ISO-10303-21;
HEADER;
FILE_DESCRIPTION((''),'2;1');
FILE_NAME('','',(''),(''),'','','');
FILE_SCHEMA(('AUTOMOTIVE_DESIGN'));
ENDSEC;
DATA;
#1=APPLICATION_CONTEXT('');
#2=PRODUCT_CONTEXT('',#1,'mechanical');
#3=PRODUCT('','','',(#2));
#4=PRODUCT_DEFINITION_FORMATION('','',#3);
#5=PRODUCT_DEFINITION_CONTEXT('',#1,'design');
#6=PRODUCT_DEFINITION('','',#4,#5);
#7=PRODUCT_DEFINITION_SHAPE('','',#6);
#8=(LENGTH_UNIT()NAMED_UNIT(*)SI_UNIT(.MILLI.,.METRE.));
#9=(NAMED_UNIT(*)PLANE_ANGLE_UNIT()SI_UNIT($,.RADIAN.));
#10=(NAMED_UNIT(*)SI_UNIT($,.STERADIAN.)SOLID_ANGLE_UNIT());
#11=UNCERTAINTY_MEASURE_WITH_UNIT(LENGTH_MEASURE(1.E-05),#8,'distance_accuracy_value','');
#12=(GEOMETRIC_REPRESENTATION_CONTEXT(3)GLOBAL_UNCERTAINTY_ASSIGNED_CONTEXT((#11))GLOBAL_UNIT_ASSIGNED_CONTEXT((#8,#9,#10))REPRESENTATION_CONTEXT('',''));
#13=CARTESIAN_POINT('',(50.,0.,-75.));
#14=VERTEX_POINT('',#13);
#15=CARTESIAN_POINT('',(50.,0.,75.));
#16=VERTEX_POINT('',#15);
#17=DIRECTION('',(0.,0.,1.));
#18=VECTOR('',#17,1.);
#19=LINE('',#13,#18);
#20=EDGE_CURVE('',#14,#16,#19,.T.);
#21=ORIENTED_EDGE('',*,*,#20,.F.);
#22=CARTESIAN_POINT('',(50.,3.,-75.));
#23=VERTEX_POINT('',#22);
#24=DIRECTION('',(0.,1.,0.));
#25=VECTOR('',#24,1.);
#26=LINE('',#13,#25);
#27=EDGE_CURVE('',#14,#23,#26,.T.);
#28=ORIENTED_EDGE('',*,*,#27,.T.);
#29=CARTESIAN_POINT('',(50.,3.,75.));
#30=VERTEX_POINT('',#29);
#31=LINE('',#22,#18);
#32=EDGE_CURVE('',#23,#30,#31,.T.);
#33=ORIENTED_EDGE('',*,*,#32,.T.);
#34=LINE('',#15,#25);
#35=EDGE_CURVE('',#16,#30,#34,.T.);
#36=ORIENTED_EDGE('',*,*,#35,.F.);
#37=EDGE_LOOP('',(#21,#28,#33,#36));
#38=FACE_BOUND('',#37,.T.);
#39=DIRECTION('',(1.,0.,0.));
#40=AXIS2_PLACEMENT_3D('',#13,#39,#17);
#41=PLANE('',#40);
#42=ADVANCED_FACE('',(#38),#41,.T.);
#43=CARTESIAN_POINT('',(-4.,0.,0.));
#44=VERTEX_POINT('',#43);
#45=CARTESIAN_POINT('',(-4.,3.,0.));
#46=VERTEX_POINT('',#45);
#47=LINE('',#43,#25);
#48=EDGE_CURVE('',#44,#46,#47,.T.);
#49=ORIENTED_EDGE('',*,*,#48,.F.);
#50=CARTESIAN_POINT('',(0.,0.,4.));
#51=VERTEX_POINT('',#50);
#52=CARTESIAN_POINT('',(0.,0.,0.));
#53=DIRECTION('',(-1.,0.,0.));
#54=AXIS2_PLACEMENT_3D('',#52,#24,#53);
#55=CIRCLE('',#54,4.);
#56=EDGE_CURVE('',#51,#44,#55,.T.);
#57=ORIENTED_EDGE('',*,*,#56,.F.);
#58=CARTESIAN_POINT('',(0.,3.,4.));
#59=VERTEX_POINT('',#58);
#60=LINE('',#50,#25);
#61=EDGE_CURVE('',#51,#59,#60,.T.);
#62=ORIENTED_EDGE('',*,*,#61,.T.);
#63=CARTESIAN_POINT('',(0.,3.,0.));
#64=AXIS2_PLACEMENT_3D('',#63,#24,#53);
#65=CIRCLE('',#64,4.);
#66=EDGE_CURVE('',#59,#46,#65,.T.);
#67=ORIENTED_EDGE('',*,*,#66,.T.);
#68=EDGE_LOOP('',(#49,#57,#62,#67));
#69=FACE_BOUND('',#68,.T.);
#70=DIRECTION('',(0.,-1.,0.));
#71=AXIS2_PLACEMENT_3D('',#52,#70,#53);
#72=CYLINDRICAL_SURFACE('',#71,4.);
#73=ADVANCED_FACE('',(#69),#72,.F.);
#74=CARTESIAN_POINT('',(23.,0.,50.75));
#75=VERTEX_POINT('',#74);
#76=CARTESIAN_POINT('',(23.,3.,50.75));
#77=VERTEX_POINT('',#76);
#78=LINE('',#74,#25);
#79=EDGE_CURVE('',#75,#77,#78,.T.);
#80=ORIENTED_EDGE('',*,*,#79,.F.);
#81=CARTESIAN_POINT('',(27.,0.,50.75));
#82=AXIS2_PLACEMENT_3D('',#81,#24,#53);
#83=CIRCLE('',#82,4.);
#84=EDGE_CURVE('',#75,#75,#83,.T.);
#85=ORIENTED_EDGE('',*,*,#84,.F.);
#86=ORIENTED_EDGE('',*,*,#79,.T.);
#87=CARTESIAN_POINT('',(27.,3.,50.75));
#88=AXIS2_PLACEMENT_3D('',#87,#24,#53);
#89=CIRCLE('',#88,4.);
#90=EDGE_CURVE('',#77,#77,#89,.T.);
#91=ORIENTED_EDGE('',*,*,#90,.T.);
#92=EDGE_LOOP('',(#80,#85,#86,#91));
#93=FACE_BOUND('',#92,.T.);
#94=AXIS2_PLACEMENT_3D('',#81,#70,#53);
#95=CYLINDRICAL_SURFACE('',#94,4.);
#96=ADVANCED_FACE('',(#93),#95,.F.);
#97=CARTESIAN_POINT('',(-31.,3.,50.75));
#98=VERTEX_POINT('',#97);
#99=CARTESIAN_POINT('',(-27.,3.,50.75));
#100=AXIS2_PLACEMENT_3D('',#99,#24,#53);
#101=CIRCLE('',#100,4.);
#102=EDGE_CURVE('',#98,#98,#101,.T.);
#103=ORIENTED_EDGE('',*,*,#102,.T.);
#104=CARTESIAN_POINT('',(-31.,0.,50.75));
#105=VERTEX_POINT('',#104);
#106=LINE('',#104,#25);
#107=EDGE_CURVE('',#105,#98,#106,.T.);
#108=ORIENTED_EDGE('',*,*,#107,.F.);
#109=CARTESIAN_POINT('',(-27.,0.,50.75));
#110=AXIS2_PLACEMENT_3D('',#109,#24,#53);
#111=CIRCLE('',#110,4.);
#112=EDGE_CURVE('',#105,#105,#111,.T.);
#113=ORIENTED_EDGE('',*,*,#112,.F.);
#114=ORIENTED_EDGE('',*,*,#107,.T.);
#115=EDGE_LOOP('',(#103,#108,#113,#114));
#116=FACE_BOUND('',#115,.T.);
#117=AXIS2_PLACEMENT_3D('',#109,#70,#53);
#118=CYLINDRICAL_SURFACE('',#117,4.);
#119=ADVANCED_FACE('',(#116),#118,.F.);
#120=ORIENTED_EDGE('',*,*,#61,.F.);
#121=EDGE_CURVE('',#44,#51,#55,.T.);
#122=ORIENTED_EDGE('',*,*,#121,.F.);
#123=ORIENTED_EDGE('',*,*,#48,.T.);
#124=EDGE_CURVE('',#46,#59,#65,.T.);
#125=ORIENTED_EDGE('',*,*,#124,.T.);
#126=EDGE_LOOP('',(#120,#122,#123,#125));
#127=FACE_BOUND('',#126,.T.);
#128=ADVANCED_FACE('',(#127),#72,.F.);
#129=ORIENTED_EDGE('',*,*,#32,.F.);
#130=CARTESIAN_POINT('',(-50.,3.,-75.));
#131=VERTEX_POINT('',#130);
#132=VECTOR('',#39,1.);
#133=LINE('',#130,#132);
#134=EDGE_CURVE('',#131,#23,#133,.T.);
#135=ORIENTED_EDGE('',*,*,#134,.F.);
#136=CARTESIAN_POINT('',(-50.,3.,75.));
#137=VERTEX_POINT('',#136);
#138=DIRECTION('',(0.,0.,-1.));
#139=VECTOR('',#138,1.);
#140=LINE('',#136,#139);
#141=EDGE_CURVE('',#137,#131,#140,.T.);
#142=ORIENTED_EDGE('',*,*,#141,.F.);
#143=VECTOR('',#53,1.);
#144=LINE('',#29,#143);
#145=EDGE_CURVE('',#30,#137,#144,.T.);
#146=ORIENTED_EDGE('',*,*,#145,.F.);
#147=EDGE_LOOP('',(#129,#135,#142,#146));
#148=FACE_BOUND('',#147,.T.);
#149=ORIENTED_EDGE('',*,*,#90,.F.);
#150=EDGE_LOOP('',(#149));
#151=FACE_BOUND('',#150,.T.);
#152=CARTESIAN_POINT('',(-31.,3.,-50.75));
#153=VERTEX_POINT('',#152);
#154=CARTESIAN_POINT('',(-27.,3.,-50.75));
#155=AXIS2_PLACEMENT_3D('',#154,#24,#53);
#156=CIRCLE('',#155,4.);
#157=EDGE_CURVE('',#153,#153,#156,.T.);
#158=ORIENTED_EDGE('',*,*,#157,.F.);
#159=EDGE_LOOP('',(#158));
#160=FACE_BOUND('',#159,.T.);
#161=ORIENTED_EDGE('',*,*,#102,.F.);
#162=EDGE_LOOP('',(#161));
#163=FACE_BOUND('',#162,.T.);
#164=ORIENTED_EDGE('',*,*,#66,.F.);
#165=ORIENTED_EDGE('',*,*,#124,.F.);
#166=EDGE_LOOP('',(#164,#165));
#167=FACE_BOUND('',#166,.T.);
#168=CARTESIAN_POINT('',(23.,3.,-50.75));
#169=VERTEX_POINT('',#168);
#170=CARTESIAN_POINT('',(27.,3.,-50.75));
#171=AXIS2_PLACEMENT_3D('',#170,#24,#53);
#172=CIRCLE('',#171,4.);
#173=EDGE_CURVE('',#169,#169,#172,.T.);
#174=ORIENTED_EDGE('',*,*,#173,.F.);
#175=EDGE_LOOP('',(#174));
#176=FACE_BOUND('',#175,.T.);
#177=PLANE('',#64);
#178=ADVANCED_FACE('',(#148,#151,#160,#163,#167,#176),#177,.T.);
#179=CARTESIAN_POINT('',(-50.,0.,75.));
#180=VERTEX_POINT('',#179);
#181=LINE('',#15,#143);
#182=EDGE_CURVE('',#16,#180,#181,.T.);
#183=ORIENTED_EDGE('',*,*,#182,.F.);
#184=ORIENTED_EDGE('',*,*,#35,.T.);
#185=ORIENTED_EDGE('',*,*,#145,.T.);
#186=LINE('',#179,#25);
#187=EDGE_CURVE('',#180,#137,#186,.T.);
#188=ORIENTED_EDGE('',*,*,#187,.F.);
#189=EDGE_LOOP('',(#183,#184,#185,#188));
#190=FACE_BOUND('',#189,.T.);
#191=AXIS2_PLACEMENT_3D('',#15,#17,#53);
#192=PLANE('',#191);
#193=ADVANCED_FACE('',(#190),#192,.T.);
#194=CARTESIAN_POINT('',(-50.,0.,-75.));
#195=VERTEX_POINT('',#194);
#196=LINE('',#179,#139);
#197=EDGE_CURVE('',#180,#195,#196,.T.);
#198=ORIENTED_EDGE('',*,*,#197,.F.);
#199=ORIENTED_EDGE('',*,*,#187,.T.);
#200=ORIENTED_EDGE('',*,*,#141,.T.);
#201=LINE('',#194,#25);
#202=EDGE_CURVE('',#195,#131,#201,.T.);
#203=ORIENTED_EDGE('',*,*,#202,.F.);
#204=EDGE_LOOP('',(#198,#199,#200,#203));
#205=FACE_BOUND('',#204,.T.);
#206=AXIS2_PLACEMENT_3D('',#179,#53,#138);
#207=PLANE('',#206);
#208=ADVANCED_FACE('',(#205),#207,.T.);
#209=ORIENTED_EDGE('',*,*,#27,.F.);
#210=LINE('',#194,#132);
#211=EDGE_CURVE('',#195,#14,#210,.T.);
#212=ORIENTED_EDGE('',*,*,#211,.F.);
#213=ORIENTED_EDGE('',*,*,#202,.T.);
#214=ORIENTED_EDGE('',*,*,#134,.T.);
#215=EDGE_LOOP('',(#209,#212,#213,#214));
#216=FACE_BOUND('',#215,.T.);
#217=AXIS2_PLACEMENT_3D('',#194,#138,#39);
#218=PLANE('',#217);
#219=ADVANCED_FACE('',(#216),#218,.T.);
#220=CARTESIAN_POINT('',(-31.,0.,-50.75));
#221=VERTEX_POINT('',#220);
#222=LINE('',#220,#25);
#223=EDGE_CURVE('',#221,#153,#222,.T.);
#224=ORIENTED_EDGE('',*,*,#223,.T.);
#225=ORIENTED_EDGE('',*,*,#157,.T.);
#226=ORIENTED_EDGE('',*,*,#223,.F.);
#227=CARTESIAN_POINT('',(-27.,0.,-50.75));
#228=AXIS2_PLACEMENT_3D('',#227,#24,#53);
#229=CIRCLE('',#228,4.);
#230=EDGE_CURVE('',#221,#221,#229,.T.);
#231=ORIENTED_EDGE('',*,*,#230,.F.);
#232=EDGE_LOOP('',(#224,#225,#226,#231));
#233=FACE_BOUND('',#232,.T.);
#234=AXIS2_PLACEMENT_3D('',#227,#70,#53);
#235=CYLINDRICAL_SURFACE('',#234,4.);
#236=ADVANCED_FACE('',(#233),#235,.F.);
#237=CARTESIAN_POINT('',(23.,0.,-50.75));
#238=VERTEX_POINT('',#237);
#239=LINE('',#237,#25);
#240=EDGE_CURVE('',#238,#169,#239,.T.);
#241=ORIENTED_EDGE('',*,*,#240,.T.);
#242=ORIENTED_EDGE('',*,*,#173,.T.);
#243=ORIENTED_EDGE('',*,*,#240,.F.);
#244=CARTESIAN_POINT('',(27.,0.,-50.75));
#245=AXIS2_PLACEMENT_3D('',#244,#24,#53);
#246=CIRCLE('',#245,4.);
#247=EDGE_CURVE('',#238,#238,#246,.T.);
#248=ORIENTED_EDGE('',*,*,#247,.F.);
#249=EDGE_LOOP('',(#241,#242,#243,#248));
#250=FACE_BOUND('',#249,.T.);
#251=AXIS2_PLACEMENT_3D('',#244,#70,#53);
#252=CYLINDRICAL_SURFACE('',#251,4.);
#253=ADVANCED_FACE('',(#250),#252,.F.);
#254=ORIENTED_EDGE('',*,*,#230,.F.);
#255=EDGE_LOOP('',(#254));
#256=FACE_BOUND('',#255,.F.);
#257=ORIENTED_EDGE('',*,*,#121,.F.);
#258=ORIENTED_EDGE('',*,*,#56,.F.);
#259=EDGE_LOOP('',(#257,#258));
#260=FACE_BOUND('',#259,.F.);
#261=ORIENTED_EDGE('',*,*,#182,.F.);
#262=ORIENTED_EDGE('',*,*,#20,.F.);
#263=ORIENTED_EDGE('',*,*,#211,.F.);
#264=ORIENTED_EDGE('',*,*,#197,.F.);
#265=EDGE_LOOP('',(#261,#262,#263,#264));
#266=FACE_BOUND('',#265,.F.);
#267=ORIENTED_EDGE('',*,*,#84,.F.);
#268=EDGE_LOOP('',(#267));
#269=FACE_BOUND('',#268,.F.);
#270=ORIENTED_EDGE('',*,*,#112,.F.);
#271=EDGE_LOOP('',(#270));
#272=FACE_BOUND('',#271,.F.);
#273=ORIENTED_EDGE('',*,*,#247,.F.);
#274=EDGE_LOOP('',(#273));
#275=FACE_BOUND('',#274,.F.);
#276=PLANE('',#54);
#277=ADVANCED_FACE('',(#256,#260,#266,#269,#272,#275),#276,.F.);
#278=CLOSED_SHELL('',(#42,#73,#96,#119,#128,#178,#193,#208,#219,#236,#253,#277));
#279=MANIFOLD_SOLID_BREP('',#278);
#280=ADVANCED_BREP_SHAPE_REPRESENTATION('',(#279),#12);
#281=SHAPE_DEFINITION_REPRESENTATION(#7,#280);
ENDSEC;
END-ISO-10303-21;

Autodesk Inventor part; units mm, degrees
ref_plane "YZ Plane" through (0, 0, 0) normal (1, 0, 0) x (0, 1, 0)
ref_plane "XZ Plane" through (0, 0, 0) normal (0, 1, 0) x (-1, 0, 0)
ref_plane "XY Plane" through (0, 0, 0) normal (0, 0, 1) x (1, 0, 0)
sketch "Sketch1" plane through (0, 0, 0) normal (0, 1, 0) x (-1, 0, 0)
  line L0 (-50, 75) -> (50, 75)
  line L1 (50, 75) -> (50, -75)
  line L2 (50, -75) -> (-50, -75)
  line L3 (-50, -75) -> (-50, 75)
  circle A0 centre (27, 50.75) radius 4
  line L4 (0, 0) -> (28.2437, 0)
  line L5 (28.2437, 0) -> (0, 0)
  circle A1 centre (27, -50.75) radius 4
  line L6 (0, 0) -> (0, 34.6506)
  circle A2 centre (-27, 50.75) radius 4
  circle A3 centre (-27, -50.75) radius 4
  circle A4 centre (0, 0) radius 4
  point P0 (50, 0)
  point P1 (0, -75)
  dimension "d0" = 101.5
  dimension "d1" = 8
  dimension "d2" = 54
  dimension "d3" = 100
  dimension "d4" = 150
  dimension "d7" = 8
extrude "Extrusion1" add sketch "Sketch1" along normal blind 3
properties part number "PLACA" material "Steel, Mild, Welded"
